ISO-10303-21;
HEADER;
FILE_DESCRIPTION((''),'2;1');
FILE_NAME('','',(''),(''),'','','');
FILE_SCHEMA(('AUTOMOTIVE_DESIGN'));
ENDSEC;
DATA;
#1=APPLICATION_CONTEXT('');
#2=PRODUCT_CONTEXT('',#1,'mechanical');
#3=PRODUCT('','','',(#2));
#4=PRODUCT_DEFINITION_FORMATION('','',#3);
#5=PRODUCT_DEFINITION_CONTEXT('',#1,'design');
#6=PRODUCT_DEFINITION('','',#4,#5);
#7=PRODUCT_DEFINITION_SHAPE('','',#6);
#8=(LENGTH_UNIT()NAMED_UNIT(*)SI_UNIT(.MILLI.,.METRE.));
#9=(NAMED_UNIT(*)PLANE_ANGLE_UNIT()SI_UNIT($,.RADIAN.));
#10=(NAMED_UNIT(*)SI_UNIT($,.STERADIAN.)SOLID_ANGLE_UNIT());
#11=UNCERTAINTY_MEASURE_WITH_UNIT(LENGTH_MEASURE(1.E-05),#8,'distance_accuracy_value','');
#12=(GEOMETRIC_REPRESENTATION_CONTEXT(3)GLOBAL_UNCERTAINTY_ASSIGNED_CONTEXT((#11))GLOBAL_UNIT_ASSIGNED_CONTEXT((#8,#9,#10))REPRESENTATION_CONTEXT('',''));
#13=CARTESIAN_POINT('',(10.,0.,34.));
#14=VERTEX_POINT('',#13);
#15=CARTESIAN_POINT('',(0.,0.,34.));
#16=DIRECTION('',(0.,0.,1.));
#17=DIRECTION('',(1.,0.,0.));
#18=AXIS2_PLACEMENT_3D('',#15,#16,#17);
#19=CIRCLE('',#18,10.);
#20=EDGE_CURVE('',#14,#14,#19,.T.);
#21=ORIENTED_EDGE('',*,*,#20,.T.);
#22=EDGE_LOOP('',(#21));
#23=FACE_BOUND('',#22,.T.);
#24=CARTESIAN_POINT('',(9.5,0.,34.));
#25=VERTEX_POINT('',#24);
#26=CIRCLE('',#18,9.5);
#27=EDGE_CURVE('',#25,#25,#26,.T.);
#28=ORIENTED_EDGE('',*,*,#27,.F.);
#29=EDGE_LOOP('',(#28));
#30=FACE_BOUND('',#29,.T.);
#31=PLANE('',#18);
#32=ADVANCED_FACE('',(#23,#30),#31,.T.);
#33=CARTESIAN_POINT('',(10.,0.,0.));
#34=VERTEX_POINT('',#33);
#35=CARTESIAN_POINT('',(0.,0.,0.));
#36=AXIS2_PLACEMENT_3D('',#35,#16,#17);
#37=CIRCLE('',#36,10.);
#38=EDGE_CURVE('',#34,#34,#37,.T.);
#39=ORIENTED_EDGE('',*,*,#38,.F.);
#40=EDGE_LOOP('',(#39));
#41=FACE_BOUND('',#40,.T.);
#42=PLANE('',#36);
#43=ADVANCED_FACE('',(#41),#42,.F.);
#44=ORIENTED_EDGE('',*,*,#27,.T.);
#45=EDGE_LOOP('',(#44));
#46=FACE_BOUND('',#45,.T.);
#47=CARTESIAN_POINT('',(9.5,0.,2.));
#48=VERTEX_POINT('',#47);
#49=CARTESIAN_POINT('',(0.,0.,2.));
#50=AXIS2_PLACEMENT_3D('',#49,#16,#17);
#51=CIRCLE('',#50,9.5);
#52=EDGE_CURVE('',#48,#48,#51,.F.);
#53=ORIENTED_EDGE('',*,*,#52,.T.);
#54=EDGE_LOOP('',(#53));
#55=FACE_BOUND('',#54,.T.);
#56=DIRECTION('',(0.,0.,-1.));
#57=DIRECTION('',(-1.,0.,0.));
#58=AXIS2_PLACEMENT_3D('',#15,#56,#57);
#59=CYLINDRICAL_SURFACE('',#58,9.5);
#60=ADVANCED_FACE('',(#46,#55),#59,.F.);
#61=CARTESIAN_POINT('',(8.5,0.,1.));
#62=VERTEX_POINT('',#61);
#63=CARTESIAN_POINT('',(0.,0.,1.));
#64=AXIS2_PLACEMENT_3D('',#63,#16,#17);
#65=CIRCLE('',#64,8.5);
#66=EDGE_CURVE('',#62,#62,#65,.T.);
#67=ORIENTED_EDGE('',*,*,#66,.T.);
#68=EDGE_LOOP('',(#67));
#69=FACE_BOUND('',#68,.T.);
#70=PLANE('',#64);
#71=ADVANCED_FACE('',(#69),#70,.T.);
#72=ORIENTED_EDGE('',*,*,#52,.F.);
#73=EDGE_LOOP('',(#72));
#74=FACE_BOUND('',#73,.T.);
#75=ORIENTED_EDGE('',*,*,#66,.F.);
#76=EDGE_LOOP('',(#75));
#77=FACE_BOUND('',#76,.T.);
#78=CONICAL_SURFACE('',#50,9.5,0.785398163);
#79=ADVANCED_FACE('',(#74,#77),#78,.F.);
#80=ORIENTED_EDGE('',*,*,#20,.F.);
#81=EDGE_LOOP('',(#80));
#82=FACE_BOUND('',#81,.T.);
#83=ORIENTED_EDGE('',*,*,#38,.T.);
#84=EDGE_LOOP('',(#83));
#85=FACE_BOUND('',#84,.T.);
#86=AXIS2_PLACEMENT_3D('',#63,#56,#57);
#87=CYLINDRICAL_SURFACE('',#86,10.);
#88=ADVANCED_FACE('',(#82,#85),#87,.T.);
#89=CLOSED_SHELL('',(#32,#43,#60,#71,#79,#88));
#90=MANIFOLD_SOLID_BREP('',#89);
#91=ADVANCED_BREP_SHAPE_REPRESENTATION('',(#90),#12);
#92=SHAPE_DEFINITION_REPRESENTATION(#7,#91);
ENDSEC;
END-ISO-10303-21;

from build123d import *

# Parameters (mm, degrees)
SKETCH1_R           = 10
BOSS_EXTRUDE1_DEPTH = 1
SKETCH2_R           = 10
SKETCH2_R_2         = 9.5
BOSS_EXTRUDE2_DEPTH = 33
CHAMFER1_SIZE       = 1


with BuildPart() as part:
    # Sketch1 → Boss-Extrude1 (new body)
    with BuildSketch(Plane.XY):
        Circle(SKETCH1_R)
    extrude(amount=BOSS_EXTRUDE1_DEPTH)

    # Sketch2 → Boss-Extrude2 (add)
    with BuildSketch(Plane.XY.offset(1)):
        Circle(SKETCH2_R)
        Circle(SKETCH2_R_2, mode=Mode.SUBTRACT)
    extrude(amount=BOSS_EXTRUDE2_DEPTH)

    # Chamfer1
    chamfer1_edges = [part.edges().sort_by_distance(p)[0] for p in [
        (-9.5, 0, 1),
    ]]
    chamfer(chamfer1_edges, length=CHAMFER1_SIZE)


solid = part.part
